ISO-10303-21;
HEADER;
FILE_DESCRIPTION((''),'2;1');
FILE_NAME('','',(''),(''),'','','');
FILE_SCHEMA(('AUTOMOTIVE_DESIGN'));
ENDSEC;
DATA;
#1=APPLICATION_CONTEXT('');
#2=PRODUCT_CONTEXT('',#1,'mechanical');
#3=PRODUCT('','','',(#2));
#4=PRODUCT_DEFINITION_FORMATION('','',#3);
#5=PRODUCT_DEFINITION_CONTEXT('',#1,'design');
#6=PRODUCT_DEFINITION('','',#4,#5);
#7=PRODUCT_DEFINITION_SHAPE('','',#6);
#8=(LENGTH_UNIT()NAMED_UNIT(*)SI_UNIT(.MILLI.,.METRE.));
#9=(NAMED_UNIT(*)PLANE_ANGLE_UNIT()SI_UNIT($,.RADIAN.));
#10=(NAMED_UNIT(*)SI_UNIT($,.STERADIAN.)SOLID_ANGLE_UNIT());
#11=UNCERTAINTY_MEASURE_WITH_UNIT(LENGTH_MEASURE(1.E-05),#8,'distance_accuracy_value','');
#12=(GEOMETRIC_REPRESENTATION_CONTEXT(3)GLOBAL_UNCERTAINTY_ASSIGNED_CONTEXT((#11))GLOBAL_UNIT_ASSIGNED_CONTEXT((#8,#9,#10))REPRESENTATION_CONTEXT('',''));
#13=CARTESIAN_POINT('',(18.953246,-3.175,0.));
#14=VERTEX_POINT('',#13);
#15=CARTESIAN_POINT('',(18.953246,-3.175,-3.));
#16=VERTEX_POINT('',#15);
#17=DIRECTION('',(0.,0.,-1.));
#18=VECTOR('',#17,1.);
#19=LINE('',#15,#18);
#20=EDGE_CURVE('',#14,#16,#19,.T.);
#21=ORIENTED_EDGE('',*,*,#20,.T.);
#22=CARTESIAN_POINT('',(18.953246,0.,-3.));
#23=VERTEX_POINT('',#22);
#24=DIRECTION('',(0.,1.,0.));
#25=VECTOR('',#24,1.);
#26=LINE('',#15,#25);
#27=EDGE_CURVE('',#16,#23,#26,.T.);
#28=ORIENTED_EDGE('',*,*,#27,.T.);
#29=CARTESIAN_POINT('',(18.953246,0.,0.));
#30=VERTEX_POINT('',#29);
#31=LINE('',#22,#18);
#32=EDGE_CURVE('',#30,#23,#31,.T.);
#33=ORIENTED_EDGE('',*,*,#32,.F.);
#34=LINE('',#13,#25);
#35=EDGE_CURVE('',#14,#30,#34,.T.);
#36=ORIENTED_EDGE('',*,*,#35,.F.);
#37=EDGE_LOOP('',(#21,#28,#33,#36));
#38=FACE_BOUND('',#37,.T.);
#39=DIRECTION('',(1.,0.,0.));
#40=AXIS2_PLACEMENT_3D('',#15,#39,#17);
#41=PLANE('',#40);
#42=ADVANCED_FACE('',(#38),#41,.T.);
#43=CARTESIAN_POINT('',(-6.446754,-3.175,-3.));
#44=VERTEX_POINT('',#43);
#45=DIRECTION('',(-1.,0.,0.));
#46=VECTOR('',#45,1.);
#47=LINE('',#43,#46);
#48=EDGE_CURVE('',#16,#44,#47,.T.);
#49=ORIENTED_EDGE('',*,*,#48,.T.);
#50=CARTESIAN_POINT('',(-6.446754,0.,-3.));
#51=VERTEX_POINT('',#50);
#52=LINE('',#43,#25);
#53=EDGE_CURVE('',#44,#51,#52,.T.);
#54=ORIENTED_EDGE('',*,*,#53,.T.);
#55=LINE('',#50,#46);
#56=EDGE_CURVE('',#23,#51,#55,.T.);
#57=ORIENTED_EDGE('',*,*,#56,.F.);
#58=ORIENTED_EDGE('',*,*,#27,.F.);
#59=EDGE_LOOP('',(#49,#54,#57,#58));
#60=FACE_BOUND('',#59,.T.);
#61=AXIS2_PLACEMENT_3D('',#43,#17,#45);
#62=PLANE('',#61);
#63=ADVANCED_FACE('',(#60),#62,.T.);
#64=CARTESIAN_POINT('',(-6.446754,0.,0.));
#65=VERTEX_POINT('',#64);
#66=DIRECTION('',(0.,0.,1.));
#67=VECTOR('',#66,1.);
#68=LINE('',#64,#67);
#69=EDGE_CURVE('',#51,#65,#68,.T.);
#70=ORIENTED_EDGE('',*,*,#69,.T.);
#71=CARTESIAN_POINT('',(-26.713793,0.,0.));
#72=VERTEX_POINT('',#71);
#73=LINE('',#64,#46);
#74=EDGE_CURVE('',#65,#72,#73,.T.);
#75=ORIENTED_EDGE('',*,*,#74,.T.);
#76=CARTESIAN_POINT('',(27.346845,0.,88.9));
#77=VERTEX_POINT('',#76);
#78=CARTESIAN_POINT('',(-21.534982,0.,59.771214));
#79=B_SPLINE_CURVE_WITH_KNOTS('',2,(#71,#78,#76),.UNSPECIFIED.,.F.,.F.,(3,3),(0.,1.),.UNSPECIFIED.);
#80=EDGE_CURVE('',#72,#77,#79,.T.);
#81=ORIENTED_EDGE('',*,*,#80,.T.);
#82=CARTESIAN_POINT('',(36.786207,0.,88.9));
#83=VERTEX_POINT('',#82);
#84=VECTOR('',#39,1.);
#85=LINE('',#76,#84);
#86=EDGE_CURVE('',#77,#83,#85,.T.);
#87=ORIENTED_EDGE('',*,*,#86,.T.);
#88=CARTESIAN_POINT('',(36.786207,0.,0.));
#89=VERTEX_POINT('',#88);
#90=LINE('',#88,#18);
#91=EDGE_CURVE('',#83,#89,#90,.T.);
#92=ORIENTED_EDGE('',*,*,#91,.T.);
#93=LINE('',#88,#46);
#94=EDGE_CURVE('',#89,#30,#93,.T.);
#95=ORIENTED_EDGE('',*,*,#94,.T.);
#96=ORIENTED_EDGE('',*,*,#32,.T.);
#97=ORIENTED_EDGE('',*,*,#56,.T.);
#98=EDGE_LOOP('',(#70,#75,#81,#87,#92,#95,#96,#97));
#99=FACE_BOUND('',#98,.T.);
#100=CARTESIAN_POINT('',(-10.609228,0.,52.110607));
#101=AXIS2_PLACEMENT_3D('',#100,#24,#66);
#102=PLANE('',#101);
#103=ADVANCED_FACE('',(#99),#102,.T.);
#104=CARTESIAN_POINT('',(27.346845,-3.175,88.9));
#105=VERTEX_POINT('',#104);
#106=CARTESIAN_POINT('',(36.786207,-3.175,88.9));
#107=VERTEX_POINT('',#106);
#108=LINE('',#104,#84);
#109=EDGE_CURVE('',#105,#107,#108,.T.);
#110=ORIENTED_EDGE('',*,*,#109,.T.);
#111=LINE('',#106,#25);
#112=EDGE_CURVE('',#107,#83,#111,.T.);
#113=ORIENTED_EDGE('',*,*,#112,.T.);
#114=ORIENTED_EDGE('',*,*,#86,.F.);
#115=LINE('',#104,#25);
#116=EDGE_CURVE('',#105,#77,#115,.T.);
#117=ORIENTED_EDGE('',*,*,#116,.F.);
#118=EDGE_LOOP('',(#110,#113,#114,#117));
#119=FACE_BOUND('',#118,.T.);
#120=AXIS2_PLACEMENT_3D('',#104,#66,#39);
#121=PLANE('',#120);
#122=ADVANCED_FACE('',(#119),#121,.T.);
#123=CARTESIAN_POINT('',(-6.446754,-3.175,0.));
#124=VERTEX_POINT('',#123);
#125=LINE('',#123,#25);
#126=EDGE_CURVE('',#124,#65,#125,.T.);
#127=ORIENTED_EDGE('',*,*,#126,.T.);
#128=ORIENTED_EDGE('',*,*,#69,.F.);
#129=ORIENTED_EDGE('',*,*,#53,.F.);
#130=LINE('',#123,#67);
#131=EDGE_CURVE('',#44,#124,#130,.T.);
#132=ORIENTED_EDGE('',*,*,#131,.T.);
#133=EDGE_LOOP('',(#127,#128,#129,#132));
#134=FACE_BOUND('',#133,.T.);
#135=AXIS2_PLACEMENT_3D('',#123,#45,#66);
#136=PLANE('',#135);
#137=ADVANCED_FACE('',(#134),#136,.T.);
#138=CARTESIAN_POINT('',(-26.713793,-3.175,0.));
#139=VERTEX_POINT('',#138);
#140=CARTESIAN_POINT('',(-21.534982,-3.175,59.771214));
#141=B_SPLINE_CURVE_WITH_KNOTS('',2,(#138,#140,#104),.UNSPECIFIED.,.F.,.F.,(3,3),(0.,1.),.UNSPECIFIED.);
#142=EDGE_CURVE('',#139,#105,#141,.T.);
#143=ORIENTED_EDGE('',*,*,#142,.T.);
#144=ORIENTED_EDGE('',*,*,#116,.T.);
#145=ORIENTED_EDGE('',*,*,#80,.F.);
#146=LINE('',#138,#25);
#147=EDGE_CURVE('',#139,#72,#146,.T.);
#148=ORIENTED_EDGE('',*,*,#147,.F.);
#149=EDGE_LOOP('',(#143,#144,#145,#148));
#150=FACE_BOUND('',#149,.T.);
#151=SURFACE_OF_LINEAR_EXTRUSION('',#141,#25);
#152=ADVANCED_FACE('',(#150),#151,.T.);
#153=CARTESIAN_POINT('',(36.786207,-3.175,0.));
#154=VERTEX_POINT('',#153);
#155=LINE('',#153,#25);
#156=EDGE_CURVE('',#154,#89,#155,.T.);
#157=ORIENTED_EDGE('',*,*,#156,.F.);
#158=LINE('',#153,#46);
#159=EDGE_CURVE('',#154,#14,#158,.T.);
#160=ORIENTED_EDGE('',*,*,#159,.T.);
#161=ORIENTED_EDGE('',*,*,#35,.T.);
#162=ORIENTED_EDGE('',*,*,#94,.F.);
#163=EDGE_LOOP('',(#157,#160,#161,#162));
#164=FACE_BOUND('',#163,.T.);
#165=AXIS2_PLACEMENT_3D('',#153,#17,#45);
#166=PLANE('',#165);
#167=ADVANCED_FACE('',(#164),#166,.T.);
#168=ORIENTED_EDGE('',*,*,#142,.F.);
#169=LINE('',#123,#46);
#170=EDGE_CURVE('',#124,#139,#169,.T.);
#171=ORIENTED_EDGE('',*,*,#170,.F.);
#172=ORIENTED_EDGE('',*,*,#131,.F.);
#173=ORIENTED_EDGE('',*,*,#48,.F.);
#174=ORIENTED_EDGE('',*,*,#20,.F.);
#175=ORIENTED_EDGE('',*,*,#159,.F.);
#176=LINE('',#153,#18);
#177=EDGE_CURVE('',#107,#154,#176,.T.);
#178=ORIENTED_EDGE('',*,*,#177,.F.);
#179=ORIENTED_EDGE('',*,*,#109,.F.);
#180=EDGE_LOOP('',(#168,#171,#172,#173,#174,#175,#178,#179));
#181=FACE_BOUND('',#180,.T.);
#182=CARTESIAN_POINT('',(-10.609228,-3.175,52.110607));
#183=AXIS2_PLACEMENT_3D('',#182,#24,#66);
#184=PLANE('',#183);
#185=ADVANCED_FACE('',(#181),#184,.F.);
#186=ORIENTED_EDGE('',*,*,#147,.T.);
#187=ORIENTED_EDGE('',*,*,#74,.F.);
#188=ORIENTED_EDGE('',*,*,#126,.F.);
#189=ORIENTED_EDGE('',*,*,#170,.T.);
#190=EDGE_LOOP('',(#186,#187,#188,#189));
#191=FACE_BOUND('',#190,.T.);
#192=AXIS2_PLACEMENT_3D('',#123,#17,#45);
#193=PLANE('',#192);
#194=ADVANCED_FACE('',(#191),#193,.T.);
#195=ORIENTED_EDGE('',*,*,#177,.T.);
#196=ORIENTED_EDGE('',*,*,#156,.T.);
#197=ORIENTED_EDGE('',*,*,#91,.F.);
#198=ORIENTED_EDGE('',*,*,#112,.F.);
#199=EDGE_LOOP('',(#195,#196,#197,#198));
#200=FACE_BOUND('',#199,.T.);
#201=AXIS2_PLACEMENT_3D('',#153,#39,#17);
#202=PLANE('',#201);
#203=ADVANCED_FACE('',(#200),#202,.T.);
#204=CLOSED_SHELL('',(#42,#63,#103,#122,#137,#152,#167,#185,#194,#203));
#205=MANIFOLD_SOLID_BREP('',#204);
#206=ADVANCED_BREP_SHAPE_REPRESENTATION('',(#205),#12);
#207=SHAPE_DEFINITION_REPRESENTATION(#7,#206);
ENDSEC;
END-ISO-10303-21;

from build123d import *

# Parameters (mm, degrees)
BOSS_EXTRUDE1_DEPTH = 3.175


with BuildPart() as part:
    # Sketch1 → Boss-Extrude1 (new body)
    with BuildSketch(Plane(origin=(0, 0, 0), x_dir=(1, 0, 0), z_dir=(0, 1, 0))):
        with BuildLine():
            Line((36.786206897, 0), (18.953245729, 0))
            Line((18.953245729, 0), (18.953245729, 3))
            Line((18.953245729, 3), (-6.446754271, 3))
            Line((-6.446754271, 3), (-6.446754271, 0))
            Line((-6.446754271, 0), (-26.713793103, 0))
            add(Edge.make_bspline(
                [(27.346845479, -88.9), (-21.534982329, -59.771214116), (-26.713793103, 0)],
                knots=[0, 0, 0, 1, 1, 1], degree=2))
            Line((27.346845479, -88.9), (36.786206897, -88.9))
            Line((36.786206897, -88.9), (36.786206897, 0))
        make_face()
    extrude(amount=-BOSS_EXTRUDE1_DEPTH)


solid = part.part
